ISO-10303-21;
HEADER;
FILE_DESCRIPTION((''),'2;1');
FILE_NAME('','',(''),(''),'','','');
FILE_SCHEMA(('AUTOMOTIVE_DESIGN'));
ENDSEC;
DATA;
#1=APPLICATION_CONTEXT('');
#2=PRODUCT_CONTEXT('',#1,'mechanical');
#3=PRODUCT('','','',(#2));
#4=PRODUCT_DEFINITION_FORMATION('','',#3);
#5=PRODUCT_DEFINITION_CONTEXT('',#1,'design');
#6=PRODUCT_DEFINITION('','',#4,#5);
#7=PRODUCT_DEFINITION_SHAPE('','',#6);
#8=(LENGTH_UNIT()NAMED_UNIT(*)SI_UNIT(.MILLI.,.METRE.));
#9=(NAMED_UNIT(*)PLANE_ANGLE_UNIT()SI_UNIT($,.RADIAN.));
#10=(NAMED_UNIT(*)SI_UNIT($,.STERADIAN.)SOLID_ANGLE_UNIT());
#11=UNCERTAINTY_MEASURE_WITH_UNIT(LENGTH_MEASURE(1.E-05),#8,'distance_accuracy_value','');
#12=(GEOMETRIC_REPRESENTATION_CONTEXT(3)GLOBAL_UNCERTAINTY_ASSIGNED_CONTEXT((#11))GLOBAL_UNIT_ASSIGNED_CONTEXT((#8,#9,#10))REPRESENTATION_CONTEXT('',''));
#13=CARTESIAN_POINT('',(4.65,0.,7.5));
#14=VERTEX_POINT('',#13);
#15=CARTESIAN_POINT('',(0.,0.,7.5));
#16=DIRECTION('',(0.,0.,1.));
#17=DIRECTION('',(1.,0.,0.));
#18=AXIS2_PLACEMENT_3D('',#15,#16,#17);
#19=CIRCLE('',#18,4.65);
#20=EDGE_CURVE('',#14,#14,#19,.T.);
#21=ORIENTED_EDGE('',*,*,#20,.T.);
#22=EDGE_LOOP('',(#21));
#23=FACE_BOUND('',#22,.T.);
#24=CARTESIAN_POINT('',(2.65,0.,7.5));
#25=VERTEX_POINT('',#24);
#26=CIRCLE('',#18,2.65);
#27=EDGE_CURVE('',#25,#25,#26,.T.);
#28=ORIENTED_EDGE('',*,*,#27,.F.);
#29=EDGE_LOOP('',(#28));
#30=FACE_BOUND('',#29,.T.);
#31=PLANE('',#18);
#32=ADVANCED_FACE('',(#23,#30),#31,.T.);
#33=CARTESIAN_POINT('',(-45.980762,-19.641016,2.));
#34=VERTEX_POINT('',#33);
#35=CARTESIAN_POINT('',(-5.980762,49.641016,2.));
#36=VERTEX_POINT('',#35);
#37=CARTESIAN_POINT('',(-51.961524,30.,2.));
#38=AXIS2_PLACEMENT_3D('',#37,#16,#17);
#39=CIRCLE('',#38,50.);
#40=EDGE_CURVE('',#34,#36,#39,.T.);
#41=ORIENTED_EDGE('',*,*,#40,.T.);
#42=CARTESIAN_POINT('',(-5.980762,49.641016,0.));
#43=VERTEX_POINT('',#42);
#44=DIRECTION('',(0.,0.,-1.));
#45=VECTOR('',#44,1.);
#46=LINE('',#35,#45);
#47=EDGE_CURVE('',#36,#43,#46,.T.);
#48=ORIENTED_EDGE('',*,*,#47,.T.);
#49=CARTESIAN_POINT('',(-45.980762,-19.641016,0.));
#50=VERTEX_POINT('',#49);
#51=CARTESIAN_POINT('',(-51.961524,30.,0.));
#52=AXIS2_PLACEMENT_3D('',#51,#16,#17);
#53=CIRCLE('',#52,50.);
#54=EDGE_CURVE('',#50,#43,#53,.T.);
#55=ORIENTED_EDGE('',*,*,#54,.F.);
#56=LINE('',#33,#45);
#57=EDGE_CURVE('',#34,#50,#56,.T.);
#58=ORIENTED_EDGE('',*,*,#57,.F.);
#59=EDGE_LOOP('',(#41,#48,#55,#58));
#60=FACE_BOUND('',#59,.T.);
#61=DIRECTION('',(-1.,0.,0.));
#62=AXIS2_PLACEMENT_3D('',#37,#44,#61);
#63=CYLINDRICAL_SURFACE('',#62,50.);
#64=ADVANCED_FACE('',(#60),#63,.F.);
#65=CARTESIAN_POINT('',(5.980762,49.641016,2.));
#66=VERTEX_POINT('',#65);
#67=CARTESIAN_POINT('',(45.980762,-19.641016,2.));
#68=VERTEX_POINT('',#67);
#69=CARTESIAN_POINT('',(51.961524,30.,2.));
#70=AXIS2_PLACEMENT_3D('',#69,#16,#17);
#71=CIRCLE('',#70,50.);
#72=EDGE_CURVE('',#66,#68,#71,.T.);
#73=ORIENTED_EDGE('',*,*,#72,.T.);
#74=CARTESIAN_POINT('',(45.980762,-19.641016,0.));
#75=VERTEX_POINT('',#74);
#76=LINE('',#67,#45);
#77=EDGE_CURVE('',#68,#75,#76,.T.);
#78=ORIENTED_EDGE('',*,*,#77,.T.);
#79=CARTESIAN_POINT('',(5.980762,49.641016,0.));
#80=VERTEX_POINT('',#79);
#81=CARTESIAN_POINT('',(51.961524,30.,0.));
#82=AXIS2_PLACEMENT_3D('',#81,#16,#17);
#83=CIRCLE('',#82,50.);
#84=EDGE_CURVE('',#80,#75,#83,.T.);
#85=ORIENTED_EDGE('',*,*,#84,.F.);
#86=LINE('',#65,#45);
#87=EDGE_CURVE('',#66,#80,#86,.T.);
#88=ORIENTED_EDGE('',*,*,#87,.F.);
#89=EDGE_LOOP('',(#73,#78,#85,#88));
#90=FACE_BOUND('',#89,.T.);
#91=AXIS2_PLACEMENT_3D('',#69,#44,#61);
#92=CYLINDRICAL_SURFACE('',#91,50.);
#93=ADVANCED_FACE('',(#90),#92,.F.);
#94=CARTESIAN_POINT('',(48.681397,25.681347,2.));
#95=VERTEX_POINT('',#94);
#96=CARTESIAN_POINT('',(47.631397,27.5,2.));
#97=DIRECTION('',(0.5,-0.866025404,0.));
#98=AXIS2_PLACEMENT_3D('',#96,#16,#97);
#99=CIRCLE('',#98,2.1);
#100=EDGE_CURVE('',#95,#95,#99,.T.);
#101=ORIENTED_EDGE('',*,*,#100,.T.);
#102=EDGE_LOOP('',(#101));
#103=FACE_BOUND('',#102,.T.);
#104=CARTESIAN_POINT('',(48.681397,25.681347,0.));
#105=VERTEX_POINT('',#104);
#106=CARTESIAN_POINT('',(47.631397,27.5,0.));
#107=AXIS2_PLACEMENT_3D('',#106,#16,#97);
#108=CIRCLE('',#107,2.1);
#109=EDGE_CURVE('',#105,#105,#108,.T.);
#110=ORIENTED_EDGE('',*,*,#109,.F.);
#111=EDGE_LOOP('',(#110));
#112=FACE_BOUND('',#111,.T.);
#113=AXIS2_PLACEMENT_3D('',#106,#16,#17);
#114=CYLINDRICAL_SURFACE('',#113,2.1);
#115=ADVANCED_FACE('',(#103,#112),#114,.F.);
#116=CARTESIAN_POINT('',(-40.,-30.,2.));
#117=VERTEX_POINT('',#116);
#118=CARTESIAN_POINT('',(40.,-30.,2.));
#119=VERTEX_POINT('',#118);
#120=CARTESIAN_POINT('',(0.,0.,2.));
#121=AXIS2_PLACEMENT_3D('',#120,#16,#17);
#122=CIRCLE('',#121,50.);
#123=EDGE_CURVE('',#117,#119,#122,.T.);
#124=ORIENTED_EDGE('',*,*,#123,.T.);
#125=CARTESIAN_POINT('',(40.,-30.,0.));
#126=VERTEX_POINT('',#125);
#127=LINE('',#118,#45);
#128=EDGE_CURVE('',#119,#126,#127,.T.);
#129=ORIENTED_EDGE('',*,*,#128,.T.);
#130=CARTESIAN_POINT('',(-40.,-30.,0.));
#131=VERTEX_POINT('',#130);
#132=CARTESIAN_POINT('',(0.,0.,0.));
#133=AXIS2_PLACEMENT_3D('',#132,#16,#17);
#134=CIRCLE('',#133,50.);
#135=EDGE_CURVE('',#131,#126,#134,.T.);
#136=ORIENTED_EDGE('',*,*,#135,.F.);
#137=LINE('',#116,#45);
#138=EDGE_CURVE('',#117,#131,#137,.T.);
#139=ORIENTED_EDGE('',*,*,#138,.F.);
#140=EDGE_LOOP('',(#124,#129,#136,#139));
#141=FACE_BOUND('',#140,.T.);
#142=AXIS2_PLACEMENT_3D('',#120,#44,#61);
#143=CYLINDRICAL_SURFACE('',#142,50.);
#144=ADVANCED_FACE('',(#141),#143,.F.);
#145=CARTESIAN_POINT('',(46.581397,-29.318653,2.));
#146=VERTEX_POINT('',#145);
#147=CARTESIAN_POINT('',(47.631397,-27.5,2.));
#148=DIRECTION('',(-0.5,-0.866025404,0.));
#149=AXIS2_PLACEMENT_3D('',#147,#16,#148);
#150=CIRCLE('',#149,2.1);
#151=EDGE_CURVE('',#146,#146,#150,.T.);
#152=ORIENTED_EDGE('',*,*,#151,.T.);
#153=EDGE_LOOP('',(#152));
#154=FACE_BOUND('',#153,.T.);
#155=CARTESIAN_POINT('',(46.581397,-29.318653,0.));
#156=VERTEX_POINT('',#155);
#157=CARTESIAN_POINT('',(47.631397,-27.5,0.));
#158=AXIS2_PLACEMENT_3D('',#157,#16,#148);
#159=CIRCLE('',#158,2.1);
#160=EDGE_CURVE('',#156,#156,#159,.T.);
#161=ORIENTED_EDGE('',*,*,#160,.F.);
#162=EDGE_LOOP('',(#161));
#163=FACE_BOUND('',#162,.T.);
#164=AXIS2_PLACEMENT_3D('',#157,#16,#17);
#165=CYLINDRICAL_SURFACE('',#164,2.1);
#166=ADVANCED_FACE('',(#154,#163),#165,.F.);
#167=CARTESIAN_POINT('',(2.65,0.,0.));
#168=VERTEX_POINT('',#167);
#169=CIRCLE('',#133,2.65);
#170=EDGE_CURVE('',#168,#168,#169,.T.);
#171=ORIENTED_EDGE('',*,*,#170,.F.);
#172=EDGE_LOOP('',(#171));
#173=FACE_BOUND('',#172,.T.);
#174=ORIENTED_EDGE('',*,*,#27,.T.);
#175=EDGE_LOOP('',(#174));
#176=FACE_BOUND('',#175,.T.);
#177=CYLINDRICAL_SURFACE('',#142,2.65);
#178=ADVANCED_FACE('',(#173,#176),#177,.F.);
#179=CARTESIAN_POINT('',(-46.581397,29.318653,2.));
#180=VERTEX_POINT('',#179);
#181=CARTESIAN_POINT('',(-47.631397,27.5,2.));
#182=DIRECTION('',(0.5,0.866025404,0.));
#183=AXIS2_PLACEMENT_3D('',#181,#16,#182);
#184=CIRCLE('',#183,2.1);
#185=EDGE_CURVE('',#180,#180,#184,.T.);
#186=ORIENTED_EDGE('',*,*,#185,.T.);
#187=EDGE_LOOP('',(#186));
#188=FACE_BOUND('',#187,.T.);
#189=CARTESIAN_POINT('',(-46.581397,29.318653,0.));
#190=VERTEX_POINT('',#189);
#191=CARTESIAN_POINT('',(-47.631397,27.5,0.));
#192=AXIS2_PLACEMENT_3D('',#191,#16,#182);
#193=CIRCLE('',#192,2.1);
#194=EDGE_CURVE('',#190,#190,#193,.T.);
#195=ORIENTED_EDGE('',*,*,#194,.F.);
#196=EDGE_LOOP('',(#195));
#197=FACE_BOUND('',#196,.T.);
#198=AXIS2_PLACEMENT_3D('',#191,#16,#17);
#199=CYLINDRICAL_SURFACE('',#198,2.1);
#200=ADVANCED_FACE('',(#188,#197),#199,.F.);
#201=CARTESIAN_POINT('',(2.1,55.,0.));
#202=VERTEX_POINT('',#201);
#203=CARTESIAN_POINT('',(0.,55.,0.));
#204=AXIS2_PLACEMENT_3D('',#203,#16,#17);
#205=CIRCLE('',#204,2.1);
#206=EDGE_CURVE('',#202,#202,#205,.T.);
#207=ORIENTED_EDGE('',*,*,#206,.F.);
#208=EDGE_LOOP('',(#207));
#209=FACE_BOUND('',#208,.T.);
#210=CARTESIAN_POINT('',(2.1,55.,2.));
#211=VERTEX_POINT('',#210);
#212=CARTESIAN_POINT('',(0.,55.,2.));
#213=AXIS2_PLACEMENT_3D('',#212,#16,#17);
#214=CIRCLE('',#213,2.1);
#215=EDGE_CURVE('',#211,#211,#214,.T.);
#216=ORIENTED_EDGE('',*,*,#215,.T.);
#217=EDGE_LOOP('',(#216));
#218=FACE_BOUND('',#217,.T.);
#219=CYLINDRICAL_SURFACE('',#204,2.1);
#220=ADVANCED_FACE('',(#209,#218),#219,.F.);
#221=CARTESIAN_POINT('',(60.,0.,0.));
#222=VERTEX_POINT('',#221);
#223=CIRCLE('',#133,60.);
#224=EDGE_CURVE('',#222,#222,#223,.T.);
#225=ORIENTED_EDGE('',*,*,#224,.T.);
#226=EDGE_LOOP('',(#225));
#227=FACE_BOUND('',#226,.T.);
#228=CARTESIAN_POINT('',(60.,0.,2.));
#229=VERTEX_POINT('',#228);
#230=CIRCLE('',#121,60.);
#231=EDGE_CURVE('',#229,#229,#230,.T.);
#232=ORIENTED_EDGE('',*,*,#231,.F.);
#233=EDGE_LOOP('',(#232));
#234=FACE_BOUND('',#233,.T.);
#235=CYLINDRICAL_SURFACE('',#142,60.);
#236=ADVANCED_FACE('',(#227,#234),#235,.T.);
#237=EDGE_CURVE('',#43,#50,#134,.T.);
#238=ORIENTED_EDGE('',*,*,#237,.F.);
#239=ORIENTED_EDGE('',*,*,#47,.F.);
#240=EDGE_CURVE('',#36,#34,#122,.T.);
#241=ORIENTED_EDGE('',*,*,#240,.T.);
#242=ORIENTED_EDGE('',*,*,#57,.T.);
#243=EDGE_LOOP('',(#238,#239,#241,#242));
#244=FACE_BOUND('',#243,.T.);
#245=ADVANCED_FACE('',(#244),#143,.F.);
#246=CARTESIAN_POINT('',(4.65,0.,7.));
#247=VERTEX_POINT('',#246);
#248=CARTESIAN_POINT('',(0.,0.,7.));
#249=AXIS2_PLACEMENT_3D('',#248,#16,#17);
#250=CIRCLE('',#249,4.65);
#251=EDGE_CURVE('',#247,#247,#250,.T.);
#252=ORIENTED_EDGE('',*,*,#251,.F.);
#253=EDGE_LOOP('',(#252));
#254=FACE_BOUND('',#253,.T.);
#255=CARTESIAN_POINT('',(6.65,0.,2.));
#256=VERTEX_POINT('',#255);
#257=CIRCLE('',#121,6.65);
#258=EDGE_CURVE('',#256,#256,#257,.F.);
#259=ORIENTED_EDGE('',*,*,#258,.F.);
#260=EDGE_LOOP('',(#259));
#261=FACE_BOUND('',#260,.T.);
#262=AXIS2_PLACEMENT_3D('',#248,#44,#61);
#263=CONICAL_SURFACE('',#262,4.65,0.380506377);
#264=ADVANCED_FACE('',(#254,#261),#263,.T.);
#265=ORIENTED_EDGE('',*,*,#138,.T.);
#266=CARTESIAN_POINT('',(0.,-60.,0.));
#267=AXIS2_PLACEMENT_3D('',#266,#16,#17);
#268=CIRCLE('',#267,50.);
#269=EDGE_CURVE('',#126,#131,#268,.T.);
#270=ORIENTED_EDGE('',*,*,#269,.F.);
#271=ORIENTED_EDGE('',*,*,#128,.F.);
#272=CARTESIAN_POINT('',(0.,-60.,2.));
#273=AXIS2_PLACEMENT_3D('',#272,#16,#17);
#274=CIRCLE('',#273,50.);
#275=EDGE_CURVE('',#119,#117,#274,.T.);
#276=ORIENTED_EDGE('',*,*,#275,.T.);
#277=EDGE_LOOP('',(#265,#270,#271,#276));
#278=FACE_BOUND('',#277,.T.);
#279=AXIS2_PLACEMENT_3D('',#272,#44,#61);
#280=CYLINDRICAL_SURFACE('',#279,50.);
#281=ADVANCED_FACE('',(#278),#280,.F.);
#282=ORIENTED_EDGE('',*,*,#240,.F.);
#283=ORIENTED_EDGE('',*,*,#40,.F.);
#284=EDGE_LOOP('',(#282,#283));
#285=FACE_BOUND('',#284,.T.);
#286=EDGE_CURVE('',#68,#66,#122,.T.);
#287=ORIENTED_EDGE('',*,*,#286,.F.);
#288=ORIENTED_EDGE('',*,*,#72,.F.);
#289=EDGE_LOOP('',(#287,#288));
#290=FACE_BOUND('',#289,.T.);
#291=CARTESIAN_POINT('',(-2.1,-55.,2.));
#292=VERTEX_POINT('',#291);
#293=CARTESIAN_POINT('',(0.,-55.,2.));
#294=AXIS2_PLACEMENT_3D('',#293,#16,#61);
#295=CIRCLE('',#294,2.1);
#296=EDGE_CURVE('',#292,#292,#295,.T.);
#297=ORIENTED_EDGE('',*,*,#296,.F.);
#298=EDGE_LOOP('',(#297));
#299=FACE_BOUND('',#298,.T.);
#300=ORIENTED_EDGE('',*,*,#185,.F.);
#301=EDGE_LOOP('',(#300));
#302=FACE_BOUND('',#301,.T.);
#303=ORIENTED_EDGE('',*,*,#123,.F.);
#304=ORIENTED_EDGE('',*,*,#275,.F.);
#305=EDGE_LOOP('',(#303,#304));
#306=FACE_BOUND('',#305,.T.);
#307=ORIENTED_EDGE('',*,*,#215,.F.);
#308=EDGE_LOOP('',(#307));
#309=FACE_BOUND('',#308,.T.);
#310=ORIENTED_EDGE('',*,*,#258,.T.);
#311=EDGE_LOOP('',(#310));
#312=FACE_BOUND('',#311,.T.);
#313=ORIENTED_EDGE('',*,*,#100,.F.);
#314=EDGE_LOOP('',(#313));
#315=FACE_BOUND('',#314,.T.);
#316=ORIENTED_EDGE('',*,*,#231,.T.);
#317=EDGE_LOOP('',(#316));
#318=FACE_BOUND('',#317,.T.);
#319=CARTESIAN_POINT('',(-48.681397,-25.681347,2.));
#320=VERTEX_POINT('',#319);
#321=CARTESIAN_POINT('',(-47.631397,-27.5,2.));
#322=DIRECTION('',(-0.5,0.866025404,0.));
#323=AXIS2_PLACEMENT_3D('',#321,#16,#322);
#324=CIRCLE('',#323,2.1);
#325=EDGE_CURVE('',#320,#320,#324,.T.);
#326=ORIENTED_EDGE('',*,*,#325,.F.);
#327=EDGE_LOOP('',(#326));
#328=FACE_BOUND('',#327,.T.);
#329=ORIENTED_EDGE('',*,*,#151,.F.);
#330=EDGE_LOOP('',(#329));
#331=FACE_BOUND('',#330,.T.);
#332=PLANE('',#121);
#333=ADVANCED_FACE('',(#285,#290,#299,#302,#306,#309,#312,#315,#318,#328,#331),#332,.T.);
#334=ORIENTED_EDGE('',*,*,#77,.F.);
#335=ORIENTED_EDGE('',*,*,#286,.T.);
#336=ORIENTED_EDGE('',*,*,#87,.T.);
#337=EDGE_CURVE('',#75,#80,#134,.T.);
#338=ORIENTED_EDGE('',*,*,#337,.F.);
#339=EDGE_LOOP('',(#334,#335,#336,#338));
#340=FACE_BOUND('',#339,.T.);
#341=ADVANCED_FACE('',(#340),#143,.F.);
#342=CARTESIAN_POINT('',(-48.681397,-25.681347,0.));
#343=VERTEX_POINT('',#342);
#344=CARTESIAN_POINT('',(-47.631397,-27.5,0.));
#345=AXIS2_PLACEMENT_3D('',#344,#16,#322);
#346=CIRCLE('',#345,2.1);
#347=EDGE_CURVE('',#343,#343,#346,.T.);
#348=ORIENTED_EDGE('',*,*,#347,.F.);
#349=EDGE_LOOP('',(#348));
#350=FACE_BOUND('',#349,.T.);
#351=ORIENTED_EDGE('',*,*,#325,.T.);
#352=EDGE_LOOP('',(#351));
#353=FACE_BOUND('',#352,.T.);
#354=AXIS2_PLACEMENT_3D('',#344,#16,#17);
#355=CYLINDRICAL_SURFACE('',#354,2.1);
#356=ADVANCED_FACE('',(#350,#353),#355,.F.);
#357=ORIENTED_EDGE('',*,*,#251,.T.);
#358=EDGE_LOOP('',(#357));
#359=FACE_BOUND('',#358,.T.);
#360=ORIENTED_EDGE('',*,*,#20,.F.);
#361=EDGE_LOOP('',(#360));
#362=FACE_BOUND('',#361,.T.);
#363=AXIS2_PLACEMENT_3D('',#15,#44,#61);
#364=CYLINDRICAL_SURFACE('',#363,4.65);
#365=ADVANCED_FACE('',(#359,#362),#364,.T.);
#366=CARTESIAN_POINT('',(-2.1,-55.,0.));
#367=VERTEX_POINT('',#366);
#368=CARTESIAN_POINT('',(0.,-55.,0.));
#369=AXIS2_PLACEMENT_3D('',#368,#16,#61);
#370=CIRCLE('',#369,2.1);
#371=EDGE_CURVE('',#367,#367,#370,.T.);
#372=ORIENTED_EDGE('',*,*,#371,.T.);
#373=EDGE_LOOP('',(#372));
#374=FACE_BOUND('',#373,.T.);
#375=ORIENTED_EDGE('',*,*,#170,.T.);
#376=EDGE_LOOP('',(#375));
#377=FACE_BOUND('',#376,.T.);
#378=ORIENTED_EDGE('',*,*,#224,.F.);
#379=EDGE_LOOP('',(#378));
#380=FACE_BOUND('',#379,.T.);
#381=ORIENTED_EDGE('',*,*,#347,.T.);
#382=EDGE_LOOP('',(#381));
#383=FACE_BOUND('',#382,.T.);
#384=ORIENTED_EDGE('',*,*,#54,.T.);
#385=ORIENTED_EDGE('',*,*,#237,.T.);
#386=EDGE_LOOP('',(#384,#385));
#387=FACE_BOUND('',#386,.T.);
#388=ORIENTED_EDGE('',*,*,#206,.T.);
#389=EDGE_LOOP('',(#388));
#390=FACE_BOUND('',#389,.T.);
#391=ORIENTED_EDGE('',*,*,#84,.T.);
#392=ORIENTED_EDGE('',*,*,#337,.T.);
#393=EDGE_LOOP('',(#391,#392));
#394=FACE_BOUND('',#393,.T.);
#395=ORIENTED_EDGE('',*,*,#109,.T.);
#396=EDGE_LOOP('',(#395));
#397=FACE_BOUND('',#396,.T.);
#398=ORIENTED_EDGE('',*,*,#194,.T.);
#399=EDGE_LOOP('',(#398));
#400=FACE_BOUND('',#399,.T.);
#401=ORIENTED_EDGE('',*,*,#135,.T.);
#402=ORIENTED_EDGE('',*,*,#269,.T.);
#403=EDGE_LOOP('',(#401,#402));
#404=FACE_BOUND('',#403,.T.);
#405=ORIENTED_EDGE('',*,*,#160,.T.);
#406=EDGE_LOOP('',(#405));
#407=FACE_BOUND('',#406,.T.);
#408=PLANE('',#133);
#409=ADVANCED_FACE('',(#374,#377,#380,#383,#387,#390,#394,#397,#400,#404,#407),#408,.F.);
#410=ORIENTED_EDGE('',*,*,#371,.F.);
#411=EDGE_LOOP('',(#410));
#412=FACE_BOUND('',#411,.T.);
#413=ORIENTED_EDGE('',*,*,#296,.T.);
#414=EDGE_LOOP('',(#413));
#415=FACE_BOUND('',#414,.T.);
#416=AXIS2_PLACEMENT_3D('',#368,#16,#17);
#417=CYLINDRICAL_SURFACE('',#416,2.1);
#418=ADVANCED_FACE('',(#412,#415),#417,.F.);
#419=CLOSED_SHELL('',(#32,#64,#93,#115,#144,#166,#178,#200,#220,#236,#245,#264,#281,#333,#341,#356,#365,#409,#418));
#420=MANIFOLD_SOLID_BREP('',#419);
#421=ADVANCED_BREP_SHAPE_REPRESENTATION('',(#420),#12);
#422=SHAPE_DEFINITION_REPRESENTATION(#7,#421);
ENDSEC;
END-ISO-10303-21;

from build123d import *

# Parameters (mm, degrees)
SKETCH1_R           = 60
SKETCH1_R_2         = 2.65
BOSS_EXTRUDE2_DEPTH = 2
CUT_EXTRUDE1_DEPTH  = 85.876380696
CIRPATTERN1_COUNT   = 6
SKETCH3_R           = 4.65
SKETCH3_R_2         = 2.65
BOSS_EXTRUDE3_DEPTH = 5.5
CHAMFER1_SIZE       = 2
CHAMFER1_SIZE2      = 5


with BuildPart() as part:
    # Sketch1 → Boss-Extrude2 (new body)
    with BuildSketch(Plane.XY):
        Circle(SKETCH1_R)
        with BuildLine():
            ThreePointArc((40, -30), (0, -50), (-40, -30))
            ThreePointArc((-40, -30), (0, -10), (40, -30))
        make_face(mode=Mode.SUBTRACT)
        with BuildLine():
            ThreePointArc((-5.980762114, 49.641016151), (-8.660254038, 5), (-45.980762114, -19.641016151))
            ThreePointArc((-45.980762114, -19.641016151), (-43.301270189, 25), (-5.980762114, 49.641016151))
        make_face(mode=Mode.SUBTRACT)
        Circle(SKETCH1_R_2, mode=Mode.SUBTRACT)
        with BuildLine():
            ThreePointArc((5.980762114, 49.641016151), (43.301270189, 25), (45.980762114, -19.641016151))
            ThreePointArc((45.980762114, -19.641016151), (8.660254038, 5), (5.980762114, 49.641016151))
        make_face(mode=Mode.SUBTRACT)
    extrude(amount=BOSS_EXTRUDE2_DEPTH)

    # Sketch2 → Cut-Extrude1 (cut, through all)
    with BuildSketch(Plane.XY.offset(2)):
        with BuildLine():
            ThreePointArc((0, 57.1), (-2.1, 55), (0, 52.9))
            Line((0, 52.9), (0, 57.1))
        make_face()
        with BuildLine():
            Line((0, 57.1), (0, 52.9))
            ThreePointArc((0, 52.9), (1.48492424, 53.51507576), (2.1, 55))
            ThreePointArc((2.1, 55), (1.48492424, 56.48492424), (0, 57.1))
        make_face()
    cut_extrude1 = extrude(amount=-CUT_EXTRUDE1_DEPTH, mode=Mode.SUBTRACT)

    # CirPattern1: Cut-Extrude1 ×6 about axis
    cirpattern1_axis = Axis((0, 0, 0), (0, 0, 1))
    for i in range(1, CIRPATTERN1_COUNT):
        add(cut_extrude1.rotate(cirpattern1_axis, i * 360 / CIRPATTERN1_COUNT), mode=Mode.SUBTRACT)

    # Sketch3 → Boss-Extrude3 (add)
    with BuildSketch(Plane.XY.offset(2)):
        Circle(SKETCH3_R)
        Circle(SKETCH3_R_2, mode=Mode.SUBTRACT)
    extrude(amount=BOSS_EXTRUDE3_DEPTH)

    # Chamfer1
    chamfer1_edges = [part.edges().sort_by_distance(p)[0] for p in [
        (-4.65, 0, 2),
    ]]
    chamfer1_side = [part.faces().sort_by_distance(p)[0] for p in [
        (-58.302943725, 0, 2),
    ]]
    chamfer(chamfer1_edges, length=CHAMFER1_SIZE, length2=CHAMFER1_SIZE2, reference=chamfer1_side[0])


solid = part.part
